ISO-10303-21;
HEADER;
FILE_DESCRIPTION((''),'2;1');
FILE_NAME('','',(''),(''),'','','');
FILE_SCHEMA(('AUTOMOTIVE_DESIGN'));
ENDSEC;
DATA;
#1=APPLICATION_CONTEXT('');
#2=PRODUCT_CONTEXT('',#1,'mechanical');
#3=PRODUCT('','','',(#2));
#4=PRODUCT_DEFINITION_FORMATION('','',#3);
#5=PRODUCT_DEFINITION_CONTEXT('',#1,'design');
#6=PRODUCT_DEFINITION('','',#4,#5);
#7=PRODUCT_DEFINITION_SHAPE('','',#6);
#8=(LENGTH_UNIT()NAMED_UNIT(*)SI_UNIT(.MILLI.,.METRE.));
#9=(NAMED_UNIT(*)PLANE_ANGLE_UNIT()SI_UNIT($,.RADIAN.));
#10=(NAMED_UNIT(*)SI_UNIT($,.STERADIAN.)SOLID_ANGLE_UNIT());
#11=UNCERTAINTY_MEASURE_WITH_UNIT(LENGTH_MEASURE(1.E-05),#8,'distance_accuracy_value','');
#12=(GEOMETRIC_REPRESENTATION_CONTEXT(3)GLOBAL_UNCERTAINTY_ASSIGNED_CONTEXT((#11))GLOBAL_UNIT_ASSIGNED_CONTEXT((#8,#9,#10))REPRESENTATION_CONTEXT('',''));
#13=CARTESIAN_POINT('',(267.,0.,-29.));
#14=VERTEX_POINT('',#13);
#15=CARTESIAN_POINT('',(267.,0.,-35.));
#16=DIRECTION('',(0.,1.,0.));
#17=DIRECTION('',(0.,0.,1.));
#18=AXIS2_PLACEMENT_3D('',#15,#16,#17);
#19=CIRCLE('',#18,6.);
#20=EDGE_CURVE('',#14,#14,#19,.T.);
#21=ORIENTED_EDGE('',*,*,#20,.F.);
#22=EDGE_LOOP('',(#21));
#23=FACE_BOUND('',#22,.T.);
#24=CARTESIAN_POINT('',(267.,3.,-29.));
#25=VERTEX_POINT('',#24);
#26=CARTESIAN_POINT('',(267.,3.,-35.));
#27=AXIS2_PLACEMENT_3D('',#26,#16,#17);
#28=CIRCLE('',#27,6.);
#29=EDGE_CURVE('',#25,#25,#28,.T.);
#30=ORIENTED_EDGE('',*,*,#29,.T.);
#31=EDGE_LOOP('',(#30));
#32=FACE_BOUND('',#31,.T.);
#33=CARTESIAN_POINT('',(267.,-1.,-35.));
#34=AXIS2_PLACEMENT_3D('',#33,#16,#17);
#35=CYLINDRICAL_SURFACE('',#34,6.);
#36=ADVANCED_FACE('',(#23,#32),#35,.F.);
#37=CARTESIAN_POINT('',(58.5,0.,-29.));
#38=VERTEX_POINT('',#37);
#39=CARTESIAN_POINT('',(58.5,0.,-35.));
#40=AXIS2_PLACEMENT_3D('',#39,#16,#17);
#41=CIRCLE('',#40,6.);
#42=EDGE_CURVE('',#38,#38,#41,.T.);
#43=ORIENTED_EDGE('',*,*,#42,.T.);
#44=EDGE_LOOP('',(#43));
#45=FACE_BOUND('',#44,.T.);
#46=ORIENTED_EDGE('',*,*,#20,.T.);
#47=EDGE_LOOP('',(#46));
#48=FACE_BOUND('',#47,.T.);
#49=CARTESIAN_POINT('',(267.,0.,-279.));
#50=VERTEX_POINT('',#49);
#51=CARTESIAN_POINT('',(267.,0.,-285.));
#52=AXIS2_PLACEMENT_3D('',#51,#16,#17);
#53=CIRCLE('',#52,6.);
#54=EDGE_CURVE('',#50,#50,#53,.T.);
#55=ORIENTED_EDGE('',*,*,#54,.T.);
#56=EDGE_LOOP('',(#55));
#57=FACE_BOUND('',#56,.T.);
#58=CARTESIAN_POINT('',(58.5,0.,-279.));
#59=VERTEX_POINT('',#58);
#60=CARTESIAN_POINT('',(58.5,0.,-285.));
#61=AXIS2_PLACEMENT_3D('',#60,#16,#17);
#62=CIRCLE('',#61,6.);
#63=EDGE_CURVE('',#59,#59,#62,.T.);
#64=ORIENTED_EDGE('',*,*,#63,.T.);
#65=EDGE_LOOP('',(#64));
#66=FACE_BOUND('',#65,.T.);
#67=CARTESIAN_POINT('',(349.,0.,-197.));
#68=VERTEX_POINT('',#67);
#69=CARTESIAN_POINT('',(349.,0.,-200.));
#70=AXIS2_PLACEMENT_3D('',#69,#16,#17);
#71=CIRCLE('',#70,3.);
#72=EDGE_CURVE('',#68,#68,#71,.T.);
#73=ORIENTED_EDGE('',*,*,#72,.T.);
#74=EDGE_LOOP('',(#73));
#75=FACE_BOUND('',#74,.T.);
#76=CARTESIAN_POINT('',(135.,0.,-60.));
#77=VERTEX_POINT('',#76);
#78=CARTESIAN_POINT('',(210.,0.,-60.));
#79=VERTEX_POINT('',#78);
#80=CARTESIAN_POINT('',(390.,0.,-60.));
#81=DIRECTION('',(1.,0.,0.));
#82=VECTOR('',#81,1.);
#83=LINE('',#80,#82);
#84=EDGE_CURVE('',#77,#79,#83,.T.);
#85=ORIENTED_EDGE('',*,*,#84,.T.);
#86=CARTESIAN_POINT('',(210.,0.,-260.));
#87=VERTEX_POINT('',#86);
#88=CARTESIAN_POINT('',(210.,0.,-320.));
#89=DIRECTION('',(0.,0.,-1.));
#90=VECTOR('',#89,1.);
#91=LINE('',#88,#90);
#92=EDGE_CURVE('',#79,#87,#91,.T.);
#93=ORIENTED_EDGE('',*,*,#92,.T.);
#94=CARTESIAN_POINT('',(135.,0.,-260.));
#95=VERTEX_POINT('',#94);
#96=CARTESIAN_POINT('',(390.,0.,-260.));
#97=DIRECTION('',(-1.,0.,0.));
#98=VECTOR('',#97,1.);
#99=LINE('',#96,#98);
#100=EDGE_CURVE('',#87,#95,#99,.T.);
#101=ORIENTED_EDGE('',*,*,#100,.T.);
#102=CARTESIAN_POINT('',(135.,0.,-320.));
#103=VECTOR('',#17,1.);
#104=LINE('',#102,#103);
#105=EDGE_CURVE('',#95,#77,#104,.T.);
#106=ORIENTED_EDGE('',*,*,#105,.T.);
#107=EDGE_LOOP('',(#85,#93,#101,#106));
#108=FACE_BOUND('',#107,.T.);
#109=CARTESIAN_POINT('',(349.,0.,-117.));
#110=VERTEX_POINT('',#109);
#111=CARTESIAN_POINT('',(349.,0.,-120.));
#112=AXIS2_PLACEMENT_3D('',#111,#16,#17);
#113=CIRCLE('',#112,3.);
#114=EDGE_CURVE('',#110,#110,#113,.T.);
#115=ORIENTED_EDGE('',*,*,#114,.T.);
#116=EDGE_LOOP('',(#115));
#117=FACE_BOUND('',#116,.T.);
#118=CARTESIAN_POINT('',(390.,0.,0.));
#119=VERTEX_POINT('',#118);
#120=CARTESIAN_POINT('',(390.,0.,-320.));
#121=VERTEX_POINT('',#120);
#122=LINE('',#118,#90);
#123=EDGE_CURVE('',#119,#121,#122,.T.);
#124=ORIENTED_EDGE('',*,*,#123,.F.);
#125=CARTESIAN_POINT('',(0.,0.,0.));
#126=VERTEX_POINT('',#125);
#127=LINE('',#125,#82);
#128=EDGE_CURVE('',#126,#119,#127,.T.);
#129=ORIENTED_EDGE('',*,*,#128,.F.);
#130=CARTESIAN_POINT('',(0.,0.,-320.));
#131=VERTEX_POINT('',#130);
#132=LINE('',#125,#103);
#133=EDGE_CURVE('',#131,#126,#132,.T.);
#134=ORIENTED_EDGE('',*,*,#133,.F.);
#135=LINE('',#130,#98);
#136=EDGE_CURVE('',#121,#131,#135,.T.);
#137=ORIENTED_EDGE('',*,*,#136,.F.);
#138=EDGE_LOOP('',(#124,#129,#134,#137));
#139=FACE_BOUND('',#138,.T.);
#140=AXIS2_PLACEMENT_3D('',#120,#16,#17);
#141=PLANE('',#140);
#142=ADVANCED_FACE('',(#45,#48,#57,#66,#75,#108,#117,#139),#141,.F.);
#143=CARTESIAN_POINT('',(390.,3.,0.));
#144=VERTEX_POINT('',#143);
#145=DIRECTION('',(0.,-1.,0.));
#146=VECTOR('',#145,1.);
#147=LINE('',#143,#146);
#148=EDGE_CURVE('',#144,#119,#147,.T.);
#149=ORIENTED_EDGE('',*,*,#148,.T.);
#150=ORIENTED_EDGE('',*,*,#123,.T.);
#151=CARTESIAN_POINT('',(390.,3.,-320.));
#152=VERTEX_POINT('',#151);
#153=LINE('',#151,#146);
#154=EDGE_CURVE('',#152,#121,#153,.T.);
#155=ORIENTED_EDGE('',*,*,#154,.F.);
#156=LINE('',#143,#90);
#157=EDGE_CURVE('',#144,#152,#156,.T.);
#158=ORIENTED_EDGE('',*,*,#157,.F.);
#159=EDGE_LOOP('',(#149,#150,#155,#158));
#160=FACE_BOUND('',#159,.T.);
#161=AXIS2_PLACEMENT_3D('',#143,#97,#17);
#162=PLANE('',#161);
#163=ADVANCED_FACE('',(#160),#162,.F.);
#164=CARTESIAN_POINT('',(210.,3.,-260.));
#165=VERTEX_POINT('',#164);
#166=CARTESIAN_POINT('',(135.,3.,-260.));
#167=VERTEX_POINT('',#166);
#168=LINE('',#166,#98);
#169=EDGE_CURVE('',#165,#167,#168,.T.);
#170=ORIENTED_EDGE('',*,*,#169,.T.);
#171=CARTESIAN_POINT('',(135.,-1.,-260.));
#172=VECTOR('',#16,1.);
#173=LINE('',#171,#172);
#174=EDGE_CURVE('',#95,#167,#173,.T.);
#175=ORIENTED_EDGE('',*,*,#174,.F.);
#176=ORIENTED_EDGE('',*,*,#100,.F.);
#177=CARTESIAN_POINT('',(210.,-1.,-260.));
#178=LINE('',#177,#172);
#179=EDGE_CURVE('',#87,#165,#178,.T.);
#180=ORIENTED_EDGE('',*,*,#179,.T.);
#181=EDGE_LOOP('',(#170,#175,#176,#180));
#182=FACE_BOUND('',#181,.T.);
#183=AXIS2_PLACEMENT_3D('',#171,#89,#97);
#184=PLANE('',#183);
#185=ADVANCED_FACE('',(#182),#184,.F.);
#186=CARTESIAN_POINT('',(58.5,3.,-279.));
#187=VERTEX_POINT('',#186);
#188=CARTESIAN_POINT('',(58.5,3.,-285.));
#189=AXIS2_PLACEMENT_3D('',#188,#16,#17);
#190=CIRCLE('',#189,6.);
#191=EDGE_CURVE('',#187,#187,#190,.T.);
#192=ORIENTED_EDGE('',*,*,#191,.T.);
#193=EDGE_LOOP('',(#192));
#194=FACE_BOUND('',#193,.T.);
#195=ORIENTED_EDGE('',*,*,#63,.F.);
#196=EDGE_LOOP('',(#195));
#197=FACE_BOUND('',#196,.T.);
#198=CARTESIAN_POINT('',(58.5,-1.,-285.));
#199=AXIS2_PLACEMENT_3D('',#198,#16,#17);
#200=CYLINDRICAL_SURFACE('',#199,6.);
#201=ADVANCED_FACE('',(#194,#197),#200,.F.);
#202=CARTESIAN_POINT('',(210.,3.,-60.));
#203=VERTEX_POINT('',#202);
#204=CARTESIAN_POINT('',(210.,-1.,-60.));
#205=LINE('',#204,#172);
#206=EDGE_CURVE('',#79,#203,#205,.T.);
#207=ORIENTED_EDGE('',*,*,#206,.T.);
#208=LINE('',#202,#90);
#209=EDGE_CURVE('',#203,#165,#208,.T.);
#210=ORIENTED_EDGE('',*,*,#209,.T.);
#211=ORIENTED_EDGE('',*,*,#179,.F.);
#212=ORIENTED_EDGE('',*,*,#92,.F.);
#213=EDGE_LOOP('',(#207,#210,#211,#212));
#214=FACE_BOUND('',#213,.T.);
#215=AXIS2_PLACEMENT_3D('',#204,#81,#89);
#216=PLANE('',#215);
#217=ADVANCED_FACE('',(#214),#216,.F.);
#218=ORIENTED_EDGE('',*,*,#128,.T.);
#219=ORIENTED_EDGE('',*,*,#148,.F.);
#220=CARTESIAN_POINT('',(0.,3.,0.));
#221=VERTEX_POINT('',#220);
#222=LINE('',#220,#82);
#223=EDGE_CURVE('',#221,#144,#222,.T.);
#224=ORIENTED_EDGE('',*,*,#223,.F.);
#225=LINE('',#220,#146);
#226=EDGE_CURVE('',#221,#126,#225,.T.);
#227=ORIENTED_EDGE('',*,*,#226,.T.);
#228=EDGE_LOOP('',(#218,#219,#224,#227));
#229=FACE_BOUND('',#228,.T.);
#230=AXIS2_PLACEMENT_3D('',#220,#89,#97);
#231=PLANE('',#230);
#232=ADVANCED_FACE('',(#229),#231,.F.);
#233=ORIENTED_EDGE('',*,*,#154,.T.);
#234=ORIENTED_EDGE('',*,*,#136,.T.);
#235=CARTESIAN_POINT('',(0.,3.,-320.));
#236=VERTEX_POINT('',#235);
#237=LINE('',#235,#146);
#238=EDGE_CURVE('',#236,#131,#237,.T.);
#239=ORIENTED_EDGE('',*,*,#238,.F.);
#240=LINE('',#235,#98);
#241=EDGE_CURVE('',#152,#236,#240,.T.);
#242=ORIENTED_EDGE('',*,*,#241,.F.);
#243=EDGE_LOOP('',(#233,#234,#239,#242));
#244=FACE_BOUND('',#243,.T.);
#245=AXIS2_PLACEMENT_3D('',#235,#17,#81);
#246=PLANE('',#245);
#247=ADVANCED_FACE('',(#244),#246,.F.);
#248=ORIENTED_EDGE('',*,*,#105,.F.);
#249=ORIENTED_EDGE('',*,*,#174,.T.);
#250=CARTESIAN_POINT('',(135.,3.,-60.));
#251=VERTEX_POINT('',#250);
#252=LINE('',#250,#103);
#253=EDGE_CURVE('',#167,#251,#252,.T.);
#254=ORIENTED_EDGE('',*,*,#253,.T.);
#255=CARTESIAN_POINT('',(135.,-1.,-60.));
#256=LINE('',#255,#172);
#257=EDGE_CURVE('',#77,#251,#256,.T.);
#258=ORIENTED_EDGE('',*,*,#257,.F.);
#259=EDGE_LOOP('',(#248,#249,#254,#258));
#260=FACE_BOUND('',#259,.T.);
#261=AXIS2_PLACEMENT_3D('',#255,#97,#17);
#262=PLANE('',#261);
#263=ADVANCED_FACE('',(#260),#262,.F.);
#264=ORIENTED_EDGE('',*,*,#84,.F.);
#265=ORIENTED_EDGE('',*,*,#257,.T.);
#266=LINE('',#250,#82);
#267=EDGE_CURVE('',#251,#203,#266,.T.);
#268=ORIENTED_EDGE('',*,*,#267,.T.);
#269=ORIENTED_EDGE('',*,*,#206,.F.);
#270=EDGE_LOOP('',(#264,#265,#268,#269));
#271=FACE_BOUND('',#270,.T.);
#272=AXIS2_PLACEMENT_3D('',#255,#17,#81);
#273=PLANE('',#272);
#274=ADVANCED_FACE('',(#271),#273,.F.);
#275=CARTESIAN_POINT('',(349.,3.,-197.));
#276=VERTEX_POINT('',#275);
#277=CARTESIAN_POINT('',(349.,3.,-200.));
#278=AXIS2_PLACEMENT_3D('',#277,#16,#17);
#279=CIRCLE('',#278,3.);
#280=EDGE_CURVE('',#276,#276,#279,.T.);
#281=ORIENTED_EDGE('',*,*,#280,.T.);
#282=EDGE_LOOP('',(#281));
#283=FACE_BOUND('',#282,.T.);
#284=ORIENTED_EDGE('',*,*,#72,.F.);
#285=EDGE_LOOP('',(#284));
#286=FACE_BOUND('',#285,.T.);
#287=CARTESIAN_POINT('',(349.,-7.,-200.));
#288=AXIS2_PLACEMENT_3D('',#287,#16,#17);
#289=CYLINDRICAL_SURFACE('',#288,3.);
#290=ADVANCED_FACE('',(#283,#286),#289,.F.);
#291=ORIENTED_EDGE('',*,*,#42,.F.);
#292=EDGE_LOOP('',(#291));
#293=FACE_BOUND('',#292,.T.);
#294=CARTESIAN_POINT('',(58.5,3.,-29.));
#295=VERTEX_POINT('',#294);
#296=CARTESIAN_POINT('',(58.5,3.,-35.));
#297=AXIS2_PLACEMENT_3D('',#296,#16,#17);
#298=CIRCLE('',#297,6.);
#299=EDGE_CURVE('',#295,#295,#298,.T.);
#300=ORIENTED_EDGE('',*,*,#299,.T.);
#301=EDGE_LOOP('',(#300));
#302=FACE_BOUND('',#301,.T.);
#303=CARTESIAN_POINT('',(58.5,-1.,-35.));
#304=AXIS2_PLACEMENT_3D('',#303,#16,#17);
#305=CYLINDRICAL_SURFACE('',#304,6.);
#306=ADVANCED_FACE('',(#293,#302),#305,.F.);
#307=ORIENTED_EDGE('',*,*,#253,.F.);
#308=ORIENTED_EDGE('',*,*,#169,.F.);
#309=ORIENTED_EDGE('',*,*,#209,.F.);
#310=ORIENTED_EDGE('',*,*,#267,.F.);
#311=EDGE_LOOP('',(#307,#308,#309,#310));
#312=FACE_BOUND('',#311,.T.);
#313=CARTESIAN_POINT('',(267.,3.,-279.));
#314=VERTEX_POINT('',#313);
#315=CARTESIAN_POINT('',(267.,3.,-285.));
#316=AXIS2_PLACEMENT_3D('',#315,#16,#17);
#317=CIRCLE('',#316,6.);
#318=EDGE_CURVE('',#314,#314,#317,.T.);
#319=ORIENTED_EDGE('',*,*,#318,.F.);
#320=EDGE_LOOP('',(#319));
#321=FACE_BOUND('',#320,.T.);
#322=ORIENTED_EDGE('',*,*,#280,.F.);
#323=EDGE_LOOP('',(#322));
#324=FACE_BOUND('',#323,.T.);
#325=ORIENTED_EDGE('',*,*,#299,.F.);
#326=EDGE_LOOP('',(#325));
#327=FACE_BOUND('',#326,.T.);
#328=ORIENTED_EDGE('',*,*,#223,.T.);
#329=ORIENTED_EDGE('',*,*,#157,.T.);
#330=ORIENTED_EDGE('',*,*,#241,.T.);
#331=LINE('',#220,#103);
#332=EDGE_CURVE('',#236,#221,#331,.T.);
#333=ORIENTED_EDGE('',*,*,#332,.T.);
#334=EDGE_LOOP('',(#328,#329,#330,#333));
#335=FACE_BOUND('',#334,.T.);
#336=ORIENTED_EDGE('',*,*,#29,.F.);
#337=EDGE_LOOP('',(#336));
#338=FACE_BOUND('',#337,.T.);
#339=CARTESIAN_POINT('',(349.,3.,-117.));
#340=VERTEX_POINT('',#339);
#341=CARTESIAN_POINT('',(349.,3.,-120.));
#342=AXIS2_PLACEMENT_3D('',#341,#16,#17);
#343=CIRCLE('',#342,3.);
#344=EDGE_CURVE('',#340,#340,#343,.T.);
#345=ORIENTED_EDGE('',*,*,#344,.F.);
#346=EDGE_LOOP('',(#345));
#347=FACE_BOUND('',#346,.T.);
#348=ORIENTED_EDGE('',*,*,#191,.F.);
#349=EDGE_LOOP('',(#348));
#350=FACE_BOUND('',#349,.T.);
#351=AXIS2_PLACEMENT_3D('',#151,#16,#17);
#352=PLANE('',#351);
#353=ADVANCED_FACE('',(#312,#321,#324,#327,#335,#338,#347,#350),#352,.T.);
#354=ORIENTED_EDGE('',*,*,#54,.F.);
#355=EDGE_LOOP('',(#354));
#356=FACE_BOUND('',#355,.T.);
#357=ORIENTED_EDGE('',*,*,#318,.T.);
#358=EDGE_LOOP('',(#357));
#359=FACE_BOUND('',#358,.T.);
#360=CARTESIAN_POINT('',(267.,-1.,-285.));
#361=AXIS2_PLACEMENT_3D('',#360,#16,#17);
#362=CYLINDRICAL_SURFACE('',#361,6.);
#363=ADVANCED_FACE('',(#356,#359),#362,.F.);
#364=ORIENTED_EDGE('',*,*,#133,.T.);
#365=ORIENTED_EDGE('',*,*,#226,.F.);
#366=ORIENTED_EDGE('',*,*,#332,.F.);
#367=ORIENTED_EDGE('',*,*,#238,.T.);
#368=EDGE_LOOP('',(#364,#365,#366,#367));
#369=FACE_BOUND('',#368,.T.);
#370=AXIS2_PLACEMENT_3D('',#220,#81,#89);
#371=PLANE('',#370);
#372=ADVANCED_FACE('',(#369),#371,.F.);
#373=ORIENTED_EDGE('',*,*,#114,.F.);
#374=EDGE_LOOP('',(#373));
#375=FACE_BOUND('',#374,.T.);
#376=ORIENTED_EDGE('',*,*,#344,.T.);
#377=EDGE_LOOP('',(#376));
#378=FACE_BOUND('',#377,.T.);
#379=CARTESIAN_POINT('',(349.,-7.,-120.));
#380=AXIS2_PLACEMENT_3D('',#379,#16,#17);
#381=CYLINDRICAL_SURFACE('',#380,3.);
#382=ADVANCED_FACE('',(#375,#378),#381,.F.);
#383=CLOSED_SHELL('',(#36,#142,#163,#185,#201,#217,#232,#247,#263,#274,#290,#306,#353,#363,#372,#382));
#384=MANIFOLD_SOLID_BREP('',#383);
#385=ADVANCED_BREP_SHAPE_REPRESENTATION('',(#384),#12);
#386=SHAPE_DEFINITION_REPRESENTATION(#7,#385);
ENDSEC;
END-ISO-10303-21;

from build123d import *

# Parameters (mm, degrees)
ESQUISSE1_W             = 390
ESQUISSE1_H             = 320
BASE_EXTRUSION_DEPTH    = 3
ESQUISSE2_W             = 75
ESQUISSE2_H             = 200
ENL_V_MAT_EXTRU_1_DEPTH = 4
ESQUISSE3_R             = 6
ENL_V_MAT_EXTRU_2_DEPTH = 4
ESQUISSE4_R             = 3
ENL_V_MAT_EXTRU_3_DEPTH = 10


with BuildPart() as part:
    # Esquisse1 → Base-Extrusion (new body)
    with BuildSketch(Plane(origin=(0, 0, 0), x_dir=(1, 0, 0), z_dir=(0, 1, 0))):
        with Locations((195, 160)):
            Rectangle(ESQUISSE1_W, ESQUISSE1_H)
    extrude(amount=BASE_EXTRUSION_DEPTH)

    # Esquisse2 → Enlèv. mat.-Extru.1 (cut)
    with BuildSketch(Plane(origin=(0, 3, 0), x_dir=(-1, 0, 0), z_dir=(0, 1, 0))):
        with Locations((-172.5, -160)):
            Rectangle(ESQUISSE2_W, ESQUISSE2_H)
    extrude(amount=-ENL_V_MAT_EXTRU_1_DEPTH, mode=Mode.SUBTRACT)

    # Esquisse3 → Enlèv. mat.-Extru.2 (cut)
    with BuildSketch(Plane(origin=(0, 3, 0), x_dir=(-1, 0, 0), z_dir=(0, 1, 0))):
        with Locations(Location((-267, -285, 0), (0, 0, 90))):
            Circle(ESQUISSE3_R)
        with Locations(Location((-58.5, -285, 0), (0, 0, 90))):
            Circle(ESQUISSE3_R)
        with Locations(Location((-267, -35, 0), (0, 0, 90))):
            Circle(ESQUISSE3_R)
        with Locations(Location((-58.5, -35, 0), (0, 0, 90))):
            Circle(ESQUISSE3_R)
    extrude(amount=-ENL_V_MAT_EXTRU_2_DEPTH, mode=Mode.SUBTRACT)

    # Esquisse4 → Enlèv. mat.-Extru.3 (cut)
    with BuildSketch(Plane(origin=(0, 3, 0), x_dir=(-1, 0, 0), z_dir=(0, 1, 0))):
        with Locations(Location((-349, -200, 0), (0, 0, 90))):
            Circle(ESQUISSE4_R)
        with Locations(Location((-349, -120, 0), (0, 0, 90))):
            Circle(ESQUISSE4_R)
    extrude(amount=-ENL_V_MAT_EXTRU_3_DEPTH, mode=Mode.SUBTRACT)


solid = part.part
